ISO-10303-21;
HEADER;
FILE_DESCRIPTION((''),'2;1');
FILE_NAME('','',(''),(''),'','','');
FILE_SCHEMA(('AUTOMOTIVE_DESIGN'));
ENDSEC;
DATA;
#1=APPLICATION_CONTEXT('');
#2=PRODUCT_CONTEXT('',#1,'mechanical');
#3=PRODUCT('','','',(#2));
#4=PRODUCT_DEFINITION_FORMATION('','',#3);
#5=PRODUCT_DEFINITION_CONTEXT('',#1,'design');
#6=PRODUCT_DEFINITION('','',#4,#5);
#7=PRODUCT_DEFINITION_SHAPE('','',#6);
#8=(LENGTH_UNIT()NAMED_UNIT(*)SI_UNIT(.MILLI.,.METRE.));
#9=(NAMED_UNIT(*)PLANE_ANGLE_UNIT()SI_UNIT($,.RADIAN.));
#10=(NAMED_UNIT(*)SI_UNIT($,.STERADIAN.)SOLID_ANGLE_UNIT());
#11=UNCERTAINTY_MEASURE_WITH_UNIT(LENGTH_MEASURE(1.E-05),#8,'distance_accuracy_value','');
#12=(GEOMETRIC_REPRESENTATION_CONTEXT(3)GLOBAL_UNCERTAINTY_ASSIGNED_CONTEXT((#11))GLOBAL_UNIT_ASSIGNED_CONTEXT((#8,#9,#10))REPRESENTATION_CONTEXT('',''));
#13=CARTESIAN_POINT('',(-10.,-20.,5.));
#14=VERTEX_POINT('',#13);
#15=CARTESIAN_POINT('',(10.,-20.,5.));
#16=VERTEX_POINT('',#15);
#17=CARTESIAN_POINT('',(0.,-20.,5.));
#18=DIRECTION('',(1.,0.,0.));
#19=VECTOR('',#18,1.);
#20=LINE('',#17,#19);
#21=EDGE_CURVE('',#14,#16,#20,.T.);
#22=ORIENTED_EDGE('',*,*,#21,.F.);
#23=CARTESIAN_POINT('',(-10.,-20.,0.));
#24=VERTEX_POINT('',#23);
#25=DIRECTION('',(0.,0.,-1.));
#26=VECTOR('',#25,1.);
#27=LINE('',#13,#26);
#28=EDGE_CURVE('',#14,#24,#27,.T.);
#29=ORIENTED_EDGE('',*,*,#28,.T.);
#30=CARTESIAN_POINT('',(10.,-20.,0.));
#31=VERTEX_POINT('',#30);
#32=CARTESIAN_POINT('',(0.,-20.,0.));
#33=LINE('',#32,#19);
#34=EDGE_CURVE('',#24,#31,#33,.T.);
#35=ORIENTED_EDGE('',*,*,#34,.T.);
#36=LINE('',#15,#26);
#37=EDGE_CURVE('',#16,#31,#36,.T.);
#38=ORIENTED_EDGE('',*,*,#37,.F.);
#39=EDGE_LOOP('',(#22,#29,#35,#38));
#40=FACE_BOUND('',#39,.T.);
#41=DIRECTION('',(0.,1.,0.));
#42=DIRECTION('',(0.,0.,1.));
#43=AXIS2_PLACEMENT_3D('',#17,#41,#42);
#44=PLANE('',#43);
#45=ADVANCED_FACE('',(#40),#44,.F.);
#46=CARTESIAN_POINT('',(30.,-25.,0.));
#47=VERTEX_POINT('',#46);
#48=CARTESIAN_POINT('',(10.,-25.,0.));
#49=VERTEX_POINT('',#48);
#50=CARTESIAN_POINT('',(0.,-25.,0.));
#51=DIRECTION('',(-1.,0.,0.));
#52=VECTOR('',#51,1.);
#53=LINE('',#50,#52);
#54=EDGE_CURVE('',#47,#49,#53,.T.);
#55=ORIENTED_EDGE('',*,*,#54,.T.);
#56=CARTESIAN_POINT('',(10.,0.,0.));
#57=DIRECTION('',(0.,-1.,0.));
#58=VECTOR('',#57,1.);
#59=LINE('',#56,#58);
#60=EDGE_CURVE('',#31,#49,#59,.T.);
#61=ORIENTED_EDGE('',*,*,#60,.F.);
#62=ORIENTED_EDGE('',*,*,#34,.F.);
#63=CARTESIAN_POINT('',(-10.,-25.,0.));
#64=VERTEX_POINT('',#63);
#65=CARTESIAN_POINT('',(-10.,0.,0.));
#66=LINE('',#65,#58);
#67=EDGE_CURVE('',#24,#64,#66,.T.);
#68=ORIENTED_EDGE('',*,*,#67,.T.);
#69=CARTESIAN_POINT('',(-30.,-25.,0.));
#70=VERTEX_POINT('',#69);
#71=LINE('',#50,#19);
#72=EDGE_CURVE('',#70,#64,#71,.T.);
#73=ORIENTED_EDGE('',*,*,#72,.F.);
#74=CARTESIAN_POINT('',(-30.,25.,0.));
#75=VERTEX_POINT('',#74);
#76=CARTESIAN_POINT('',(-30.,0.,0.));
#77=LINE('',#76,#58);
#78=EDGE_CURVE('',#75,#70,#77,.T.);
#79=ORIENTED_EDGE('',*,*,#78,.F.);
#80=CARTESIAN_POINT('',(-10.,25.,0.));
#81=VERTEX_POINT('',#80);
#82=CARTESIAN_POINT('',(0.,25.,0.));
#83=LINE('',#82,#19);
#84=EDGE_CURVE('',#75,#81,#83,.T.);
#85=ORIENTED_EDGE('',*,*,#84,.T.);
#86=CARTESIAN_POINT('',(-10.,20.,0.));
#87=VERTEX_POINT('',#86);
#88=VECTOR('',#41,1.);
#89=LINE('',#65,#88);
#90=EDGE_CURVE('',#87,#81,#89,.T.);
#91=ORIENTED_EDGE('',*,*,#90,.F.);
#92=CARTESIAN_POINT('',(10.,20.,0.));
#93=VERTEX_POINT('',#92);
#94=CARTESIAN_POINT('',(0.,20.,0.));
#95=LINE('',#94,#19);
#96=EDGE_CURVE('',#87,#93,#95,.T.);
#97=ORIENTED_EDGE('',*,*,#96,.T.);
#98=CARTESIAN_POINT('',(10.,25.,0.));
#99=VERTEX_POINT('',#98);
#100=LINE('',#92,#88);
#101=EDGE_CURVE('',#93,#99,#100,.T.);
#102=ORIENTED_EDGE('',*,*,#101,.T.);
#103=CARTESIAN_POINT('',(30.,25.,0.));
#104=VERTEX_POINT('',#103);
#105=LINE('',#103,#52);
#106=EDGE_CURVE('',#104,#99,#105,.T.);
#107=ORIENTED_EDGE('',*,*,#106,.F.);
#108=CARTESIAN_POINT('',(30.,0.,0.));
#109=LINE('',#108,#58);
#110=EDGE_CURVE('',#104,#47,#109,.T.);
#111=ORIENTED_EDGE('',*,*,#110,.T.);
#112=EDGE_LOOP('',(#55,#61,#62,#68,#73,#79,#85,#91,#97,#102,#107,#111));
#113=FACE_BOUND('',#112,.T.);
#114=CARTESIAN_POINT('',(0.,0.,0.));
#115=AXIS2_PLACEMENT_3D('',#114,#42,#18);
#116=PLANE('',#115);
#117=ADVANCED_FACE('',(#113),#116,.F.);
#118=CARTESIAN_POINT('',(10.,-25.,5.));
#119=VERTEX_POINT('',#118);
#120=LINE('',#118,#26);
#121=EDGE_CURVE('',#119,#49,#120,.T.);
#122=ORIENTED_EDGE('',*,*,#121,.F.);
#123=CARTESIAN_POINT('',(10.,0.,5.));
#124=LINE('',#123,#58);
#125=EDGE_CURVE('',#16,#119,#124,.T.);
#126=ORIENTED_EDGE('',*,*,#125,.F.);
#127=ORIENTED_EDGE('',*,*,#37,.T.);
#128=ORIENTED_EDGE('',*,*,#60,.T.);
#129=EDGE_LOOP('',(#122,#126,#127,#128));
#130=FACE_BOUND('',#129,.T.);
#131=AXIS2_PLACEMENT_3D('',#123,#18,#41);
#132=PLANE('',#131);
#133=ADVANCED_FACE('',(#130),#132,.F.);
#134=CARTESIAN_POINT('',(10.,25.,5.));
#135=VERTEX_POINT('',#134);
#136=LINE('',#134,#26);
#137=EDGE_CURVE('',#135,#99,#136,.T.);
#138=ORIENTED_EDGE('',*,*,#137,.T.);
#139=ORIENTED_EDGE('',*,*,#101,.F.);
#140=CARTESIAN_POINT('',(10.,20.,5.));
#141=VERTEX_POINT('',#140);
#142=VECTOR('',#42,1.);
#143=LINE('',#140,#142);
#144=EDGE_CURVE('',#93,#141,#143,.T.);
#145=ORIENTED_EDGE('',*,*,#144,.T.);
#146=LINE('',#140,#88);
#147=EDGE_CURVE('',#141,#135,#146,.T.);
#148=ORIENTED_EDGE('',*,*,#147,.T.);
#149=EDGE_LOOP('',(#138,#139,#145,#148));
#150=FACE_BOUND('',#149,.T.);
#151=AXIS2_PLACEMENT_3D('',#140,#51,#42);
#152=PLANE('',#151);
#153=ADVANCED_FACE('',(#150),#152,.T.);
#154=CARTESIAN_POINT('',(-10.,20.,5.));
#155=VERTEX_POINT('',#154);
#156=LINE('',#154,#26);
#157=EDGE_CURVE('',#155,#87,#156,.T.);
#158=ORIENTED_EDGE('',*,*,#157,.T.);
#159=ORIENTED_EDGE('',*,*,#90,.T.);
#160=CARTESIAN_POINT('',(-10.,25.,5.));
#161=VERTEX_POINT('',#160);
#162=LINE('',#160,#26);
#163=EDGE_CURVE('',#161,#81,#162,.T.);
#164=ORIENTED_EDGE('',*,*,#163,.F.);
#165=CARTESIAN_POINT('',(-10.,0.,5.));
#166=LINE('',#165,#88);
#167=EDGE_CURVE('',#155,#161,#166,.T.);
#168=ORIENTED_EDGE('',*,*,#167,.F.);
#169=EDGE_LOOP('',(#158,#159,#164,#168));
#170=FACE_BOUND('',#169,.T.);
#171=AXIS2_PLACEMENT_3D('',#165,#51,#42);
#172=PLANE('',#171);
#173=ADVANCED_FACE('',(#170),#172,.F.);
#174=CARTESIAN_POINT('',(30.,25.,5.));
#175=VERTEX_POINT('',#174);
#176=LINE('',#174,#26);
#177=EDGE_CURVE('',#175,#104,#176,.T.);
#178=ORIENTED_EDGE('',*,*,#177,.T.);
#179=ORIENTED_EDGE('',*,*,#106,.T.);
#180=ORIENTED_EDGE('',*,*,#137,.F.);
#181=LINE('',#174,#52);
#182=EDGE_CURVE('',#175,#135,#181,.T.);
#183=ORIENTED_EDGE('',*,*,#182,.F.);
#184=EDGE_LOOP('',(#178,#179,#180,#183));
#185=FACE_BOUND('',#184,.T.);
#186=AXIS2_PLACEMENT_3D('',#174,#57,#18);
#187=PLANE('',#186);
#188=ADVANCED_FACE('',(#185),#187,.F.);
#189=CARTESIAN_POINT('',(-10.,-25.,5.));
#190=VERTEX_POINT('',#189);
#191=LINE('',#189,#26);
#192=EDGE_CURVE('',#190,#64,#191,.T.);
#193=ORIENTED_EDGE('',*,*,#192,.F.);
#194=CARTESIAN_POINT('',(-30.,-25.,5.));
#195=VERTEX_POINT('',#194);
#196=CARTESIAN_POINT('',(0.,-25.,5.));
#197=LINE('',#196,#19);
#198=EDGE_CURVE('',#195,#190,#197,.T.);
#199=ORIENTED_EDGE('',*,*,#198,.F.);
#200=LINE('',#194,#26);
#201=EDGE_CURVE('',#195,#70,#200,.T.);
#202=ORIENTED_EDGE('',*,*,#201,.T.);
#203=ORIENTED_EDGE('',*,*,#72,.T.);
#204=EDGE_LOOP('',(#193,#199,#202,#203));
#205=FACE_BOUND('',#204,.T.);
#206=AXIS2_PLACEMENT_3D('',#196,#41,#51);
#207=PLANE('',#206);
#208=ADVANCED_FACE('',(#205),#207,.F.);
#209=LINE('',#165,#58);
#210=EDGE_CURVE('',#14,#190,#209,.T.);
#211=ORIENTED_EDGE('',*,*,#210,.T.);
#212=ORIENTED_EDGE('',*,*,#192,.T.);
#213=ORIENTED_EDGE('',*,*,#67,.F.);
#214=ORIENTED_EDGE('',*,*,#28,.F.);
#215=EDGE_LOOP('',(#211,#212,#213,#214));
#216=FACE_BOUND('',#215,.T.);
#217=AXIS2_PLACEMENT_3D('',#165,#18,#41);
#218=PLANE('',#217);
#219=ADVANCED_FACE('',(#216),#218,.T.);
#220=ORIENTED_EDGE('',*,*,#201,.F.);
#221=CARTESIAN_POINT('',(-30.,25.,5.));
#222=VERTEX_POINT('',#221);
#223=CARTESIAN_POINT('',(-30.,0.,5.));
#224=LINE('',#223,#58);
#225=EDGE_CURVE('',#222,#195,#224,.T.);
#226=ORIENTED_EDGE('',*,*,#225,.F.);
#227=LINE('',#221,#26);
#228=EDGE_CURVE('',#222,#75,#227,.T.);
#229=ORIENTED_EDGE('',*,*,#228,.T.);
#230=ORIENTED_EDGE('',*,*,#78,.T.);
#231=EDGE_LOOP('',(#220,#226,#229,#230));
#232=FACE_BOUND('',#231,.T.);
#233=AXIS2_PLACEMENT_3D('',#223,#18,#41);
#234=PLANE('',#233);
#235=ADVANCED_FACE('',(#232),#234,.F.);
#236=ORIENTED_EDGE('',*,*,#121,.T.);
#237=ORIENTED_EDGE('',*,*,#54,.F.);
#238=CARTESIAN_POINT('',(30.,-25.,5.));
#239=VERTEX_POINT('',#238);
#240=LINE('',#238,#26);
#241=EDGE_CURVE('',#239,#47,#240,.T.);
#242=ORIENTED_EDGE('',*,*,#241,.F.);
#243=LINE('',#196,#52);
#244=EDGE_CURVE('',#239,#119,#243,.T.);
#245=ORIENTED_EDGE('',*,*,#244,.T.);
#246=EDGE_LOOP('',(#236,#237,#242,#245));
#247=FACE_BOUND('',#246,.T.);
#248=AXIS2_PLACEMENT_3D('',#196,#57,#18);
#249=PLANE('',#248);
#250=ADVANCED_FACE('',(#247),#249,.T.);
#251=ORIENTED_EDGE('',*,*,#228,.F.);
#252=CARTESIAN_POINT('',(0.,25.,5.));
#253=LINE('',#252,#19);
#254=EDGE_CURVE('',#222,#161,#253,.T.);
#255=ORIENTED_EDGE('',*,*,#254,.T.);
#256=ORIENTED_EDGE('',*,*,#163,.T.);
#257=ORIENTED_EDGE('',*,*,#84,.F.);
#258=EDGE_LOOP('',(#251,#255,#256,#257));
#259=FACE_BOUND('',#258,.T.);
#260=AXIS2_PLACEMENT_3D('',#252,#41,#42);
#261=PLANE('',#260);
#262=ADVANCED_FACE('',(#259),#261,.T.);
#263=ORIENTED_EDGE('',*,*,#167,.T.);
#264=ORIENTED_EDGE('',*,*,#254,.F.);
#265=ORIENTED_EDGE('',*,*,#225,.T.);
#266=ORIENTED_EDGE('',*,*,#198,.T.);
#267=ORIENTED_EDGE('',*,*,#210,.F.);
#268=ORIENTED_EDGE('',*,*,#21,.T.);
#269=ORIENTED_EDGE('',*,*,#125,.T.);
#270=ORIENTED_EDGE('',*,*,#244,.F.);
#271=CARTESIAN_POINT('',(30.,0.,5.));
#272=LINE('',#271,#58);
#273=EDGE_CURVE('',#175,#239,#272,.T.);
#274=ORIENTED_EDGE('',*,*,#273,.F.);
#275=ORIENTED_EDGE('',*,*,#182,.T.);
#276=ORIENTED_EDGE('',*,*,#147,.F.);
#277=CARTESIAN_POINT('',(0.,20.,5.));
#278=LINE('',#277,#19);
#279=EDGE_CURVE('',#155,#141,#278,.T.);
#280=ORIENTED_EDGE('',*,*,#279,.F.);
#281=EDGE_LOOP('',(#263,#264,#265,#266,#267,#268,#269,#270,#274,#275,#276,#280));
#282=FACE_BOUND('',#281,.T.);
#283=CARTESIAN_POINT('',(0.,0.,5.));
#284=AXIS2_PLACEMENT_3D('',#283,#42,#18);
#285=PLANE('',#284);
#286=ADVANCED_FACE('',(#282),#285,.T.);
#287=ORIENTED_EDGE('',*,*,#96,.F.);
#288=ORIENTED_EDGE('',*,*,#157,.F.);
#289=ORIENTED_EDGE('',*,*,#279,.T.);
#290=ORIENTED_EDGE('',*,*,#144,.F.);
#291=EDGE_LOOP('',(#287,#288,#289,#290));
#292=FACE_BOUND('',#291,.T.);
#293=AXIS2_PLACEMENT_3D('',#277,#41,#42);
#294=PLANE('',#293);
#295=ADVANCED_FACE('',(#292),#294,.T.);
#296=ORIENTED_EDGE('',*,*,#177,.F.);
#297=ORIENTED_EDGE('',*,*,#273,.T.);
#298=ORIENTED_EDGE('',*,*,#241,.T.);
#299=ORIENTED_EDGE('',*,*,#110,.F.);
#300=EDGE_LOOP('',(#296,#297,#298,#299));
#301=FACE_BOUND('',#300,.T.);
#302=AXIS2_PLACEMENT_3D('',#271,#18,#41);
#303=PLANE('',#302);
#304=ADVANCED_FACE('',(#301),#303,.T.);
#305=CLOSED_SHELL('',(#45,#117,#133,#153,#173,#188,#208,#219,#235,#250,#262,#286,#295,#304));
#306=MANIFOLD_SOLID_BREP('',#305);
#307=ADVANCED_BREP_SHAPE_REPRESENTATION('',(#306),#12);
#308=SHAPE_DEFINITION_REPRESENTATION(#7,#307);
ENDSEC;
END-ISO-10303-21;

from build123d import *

# Parameters (mm, degrees)
SKETCH1_W           = 60
SKETCH1_H           = 40
SKETCH1_W_2         = 20
SKETCH1_H_2         = 5
BOSS_EXTRUDE1_DEPTH = 5


with BuildPart() as part:
    # Sketch1 → Boss-Extrude1 (new body)
    with BuildSketch(Plane.XY):
        Rectangle(SKETCH1_W, SKETCH1_H)
        with Locations((-20, 22.5)):
            Rectangle(SKETCH1_W_2, SKETCH1_H_2)
        with Locations((20, -22.5)):
            Rectangle(SKETCH1_W_2, SKETCH1_H_2)
        with Locations((-20, -22.5)):
            Rectangle(SKETCH1_W_2, SKETCH1_H_2)
        with Locations((20, 22.5)):
            Rectangle(SKETCH1_W_2, SKETCH1_H_2)
    extrude(amount=BOSS_EXTRUDE1_DEPTH)


solid = part.part
